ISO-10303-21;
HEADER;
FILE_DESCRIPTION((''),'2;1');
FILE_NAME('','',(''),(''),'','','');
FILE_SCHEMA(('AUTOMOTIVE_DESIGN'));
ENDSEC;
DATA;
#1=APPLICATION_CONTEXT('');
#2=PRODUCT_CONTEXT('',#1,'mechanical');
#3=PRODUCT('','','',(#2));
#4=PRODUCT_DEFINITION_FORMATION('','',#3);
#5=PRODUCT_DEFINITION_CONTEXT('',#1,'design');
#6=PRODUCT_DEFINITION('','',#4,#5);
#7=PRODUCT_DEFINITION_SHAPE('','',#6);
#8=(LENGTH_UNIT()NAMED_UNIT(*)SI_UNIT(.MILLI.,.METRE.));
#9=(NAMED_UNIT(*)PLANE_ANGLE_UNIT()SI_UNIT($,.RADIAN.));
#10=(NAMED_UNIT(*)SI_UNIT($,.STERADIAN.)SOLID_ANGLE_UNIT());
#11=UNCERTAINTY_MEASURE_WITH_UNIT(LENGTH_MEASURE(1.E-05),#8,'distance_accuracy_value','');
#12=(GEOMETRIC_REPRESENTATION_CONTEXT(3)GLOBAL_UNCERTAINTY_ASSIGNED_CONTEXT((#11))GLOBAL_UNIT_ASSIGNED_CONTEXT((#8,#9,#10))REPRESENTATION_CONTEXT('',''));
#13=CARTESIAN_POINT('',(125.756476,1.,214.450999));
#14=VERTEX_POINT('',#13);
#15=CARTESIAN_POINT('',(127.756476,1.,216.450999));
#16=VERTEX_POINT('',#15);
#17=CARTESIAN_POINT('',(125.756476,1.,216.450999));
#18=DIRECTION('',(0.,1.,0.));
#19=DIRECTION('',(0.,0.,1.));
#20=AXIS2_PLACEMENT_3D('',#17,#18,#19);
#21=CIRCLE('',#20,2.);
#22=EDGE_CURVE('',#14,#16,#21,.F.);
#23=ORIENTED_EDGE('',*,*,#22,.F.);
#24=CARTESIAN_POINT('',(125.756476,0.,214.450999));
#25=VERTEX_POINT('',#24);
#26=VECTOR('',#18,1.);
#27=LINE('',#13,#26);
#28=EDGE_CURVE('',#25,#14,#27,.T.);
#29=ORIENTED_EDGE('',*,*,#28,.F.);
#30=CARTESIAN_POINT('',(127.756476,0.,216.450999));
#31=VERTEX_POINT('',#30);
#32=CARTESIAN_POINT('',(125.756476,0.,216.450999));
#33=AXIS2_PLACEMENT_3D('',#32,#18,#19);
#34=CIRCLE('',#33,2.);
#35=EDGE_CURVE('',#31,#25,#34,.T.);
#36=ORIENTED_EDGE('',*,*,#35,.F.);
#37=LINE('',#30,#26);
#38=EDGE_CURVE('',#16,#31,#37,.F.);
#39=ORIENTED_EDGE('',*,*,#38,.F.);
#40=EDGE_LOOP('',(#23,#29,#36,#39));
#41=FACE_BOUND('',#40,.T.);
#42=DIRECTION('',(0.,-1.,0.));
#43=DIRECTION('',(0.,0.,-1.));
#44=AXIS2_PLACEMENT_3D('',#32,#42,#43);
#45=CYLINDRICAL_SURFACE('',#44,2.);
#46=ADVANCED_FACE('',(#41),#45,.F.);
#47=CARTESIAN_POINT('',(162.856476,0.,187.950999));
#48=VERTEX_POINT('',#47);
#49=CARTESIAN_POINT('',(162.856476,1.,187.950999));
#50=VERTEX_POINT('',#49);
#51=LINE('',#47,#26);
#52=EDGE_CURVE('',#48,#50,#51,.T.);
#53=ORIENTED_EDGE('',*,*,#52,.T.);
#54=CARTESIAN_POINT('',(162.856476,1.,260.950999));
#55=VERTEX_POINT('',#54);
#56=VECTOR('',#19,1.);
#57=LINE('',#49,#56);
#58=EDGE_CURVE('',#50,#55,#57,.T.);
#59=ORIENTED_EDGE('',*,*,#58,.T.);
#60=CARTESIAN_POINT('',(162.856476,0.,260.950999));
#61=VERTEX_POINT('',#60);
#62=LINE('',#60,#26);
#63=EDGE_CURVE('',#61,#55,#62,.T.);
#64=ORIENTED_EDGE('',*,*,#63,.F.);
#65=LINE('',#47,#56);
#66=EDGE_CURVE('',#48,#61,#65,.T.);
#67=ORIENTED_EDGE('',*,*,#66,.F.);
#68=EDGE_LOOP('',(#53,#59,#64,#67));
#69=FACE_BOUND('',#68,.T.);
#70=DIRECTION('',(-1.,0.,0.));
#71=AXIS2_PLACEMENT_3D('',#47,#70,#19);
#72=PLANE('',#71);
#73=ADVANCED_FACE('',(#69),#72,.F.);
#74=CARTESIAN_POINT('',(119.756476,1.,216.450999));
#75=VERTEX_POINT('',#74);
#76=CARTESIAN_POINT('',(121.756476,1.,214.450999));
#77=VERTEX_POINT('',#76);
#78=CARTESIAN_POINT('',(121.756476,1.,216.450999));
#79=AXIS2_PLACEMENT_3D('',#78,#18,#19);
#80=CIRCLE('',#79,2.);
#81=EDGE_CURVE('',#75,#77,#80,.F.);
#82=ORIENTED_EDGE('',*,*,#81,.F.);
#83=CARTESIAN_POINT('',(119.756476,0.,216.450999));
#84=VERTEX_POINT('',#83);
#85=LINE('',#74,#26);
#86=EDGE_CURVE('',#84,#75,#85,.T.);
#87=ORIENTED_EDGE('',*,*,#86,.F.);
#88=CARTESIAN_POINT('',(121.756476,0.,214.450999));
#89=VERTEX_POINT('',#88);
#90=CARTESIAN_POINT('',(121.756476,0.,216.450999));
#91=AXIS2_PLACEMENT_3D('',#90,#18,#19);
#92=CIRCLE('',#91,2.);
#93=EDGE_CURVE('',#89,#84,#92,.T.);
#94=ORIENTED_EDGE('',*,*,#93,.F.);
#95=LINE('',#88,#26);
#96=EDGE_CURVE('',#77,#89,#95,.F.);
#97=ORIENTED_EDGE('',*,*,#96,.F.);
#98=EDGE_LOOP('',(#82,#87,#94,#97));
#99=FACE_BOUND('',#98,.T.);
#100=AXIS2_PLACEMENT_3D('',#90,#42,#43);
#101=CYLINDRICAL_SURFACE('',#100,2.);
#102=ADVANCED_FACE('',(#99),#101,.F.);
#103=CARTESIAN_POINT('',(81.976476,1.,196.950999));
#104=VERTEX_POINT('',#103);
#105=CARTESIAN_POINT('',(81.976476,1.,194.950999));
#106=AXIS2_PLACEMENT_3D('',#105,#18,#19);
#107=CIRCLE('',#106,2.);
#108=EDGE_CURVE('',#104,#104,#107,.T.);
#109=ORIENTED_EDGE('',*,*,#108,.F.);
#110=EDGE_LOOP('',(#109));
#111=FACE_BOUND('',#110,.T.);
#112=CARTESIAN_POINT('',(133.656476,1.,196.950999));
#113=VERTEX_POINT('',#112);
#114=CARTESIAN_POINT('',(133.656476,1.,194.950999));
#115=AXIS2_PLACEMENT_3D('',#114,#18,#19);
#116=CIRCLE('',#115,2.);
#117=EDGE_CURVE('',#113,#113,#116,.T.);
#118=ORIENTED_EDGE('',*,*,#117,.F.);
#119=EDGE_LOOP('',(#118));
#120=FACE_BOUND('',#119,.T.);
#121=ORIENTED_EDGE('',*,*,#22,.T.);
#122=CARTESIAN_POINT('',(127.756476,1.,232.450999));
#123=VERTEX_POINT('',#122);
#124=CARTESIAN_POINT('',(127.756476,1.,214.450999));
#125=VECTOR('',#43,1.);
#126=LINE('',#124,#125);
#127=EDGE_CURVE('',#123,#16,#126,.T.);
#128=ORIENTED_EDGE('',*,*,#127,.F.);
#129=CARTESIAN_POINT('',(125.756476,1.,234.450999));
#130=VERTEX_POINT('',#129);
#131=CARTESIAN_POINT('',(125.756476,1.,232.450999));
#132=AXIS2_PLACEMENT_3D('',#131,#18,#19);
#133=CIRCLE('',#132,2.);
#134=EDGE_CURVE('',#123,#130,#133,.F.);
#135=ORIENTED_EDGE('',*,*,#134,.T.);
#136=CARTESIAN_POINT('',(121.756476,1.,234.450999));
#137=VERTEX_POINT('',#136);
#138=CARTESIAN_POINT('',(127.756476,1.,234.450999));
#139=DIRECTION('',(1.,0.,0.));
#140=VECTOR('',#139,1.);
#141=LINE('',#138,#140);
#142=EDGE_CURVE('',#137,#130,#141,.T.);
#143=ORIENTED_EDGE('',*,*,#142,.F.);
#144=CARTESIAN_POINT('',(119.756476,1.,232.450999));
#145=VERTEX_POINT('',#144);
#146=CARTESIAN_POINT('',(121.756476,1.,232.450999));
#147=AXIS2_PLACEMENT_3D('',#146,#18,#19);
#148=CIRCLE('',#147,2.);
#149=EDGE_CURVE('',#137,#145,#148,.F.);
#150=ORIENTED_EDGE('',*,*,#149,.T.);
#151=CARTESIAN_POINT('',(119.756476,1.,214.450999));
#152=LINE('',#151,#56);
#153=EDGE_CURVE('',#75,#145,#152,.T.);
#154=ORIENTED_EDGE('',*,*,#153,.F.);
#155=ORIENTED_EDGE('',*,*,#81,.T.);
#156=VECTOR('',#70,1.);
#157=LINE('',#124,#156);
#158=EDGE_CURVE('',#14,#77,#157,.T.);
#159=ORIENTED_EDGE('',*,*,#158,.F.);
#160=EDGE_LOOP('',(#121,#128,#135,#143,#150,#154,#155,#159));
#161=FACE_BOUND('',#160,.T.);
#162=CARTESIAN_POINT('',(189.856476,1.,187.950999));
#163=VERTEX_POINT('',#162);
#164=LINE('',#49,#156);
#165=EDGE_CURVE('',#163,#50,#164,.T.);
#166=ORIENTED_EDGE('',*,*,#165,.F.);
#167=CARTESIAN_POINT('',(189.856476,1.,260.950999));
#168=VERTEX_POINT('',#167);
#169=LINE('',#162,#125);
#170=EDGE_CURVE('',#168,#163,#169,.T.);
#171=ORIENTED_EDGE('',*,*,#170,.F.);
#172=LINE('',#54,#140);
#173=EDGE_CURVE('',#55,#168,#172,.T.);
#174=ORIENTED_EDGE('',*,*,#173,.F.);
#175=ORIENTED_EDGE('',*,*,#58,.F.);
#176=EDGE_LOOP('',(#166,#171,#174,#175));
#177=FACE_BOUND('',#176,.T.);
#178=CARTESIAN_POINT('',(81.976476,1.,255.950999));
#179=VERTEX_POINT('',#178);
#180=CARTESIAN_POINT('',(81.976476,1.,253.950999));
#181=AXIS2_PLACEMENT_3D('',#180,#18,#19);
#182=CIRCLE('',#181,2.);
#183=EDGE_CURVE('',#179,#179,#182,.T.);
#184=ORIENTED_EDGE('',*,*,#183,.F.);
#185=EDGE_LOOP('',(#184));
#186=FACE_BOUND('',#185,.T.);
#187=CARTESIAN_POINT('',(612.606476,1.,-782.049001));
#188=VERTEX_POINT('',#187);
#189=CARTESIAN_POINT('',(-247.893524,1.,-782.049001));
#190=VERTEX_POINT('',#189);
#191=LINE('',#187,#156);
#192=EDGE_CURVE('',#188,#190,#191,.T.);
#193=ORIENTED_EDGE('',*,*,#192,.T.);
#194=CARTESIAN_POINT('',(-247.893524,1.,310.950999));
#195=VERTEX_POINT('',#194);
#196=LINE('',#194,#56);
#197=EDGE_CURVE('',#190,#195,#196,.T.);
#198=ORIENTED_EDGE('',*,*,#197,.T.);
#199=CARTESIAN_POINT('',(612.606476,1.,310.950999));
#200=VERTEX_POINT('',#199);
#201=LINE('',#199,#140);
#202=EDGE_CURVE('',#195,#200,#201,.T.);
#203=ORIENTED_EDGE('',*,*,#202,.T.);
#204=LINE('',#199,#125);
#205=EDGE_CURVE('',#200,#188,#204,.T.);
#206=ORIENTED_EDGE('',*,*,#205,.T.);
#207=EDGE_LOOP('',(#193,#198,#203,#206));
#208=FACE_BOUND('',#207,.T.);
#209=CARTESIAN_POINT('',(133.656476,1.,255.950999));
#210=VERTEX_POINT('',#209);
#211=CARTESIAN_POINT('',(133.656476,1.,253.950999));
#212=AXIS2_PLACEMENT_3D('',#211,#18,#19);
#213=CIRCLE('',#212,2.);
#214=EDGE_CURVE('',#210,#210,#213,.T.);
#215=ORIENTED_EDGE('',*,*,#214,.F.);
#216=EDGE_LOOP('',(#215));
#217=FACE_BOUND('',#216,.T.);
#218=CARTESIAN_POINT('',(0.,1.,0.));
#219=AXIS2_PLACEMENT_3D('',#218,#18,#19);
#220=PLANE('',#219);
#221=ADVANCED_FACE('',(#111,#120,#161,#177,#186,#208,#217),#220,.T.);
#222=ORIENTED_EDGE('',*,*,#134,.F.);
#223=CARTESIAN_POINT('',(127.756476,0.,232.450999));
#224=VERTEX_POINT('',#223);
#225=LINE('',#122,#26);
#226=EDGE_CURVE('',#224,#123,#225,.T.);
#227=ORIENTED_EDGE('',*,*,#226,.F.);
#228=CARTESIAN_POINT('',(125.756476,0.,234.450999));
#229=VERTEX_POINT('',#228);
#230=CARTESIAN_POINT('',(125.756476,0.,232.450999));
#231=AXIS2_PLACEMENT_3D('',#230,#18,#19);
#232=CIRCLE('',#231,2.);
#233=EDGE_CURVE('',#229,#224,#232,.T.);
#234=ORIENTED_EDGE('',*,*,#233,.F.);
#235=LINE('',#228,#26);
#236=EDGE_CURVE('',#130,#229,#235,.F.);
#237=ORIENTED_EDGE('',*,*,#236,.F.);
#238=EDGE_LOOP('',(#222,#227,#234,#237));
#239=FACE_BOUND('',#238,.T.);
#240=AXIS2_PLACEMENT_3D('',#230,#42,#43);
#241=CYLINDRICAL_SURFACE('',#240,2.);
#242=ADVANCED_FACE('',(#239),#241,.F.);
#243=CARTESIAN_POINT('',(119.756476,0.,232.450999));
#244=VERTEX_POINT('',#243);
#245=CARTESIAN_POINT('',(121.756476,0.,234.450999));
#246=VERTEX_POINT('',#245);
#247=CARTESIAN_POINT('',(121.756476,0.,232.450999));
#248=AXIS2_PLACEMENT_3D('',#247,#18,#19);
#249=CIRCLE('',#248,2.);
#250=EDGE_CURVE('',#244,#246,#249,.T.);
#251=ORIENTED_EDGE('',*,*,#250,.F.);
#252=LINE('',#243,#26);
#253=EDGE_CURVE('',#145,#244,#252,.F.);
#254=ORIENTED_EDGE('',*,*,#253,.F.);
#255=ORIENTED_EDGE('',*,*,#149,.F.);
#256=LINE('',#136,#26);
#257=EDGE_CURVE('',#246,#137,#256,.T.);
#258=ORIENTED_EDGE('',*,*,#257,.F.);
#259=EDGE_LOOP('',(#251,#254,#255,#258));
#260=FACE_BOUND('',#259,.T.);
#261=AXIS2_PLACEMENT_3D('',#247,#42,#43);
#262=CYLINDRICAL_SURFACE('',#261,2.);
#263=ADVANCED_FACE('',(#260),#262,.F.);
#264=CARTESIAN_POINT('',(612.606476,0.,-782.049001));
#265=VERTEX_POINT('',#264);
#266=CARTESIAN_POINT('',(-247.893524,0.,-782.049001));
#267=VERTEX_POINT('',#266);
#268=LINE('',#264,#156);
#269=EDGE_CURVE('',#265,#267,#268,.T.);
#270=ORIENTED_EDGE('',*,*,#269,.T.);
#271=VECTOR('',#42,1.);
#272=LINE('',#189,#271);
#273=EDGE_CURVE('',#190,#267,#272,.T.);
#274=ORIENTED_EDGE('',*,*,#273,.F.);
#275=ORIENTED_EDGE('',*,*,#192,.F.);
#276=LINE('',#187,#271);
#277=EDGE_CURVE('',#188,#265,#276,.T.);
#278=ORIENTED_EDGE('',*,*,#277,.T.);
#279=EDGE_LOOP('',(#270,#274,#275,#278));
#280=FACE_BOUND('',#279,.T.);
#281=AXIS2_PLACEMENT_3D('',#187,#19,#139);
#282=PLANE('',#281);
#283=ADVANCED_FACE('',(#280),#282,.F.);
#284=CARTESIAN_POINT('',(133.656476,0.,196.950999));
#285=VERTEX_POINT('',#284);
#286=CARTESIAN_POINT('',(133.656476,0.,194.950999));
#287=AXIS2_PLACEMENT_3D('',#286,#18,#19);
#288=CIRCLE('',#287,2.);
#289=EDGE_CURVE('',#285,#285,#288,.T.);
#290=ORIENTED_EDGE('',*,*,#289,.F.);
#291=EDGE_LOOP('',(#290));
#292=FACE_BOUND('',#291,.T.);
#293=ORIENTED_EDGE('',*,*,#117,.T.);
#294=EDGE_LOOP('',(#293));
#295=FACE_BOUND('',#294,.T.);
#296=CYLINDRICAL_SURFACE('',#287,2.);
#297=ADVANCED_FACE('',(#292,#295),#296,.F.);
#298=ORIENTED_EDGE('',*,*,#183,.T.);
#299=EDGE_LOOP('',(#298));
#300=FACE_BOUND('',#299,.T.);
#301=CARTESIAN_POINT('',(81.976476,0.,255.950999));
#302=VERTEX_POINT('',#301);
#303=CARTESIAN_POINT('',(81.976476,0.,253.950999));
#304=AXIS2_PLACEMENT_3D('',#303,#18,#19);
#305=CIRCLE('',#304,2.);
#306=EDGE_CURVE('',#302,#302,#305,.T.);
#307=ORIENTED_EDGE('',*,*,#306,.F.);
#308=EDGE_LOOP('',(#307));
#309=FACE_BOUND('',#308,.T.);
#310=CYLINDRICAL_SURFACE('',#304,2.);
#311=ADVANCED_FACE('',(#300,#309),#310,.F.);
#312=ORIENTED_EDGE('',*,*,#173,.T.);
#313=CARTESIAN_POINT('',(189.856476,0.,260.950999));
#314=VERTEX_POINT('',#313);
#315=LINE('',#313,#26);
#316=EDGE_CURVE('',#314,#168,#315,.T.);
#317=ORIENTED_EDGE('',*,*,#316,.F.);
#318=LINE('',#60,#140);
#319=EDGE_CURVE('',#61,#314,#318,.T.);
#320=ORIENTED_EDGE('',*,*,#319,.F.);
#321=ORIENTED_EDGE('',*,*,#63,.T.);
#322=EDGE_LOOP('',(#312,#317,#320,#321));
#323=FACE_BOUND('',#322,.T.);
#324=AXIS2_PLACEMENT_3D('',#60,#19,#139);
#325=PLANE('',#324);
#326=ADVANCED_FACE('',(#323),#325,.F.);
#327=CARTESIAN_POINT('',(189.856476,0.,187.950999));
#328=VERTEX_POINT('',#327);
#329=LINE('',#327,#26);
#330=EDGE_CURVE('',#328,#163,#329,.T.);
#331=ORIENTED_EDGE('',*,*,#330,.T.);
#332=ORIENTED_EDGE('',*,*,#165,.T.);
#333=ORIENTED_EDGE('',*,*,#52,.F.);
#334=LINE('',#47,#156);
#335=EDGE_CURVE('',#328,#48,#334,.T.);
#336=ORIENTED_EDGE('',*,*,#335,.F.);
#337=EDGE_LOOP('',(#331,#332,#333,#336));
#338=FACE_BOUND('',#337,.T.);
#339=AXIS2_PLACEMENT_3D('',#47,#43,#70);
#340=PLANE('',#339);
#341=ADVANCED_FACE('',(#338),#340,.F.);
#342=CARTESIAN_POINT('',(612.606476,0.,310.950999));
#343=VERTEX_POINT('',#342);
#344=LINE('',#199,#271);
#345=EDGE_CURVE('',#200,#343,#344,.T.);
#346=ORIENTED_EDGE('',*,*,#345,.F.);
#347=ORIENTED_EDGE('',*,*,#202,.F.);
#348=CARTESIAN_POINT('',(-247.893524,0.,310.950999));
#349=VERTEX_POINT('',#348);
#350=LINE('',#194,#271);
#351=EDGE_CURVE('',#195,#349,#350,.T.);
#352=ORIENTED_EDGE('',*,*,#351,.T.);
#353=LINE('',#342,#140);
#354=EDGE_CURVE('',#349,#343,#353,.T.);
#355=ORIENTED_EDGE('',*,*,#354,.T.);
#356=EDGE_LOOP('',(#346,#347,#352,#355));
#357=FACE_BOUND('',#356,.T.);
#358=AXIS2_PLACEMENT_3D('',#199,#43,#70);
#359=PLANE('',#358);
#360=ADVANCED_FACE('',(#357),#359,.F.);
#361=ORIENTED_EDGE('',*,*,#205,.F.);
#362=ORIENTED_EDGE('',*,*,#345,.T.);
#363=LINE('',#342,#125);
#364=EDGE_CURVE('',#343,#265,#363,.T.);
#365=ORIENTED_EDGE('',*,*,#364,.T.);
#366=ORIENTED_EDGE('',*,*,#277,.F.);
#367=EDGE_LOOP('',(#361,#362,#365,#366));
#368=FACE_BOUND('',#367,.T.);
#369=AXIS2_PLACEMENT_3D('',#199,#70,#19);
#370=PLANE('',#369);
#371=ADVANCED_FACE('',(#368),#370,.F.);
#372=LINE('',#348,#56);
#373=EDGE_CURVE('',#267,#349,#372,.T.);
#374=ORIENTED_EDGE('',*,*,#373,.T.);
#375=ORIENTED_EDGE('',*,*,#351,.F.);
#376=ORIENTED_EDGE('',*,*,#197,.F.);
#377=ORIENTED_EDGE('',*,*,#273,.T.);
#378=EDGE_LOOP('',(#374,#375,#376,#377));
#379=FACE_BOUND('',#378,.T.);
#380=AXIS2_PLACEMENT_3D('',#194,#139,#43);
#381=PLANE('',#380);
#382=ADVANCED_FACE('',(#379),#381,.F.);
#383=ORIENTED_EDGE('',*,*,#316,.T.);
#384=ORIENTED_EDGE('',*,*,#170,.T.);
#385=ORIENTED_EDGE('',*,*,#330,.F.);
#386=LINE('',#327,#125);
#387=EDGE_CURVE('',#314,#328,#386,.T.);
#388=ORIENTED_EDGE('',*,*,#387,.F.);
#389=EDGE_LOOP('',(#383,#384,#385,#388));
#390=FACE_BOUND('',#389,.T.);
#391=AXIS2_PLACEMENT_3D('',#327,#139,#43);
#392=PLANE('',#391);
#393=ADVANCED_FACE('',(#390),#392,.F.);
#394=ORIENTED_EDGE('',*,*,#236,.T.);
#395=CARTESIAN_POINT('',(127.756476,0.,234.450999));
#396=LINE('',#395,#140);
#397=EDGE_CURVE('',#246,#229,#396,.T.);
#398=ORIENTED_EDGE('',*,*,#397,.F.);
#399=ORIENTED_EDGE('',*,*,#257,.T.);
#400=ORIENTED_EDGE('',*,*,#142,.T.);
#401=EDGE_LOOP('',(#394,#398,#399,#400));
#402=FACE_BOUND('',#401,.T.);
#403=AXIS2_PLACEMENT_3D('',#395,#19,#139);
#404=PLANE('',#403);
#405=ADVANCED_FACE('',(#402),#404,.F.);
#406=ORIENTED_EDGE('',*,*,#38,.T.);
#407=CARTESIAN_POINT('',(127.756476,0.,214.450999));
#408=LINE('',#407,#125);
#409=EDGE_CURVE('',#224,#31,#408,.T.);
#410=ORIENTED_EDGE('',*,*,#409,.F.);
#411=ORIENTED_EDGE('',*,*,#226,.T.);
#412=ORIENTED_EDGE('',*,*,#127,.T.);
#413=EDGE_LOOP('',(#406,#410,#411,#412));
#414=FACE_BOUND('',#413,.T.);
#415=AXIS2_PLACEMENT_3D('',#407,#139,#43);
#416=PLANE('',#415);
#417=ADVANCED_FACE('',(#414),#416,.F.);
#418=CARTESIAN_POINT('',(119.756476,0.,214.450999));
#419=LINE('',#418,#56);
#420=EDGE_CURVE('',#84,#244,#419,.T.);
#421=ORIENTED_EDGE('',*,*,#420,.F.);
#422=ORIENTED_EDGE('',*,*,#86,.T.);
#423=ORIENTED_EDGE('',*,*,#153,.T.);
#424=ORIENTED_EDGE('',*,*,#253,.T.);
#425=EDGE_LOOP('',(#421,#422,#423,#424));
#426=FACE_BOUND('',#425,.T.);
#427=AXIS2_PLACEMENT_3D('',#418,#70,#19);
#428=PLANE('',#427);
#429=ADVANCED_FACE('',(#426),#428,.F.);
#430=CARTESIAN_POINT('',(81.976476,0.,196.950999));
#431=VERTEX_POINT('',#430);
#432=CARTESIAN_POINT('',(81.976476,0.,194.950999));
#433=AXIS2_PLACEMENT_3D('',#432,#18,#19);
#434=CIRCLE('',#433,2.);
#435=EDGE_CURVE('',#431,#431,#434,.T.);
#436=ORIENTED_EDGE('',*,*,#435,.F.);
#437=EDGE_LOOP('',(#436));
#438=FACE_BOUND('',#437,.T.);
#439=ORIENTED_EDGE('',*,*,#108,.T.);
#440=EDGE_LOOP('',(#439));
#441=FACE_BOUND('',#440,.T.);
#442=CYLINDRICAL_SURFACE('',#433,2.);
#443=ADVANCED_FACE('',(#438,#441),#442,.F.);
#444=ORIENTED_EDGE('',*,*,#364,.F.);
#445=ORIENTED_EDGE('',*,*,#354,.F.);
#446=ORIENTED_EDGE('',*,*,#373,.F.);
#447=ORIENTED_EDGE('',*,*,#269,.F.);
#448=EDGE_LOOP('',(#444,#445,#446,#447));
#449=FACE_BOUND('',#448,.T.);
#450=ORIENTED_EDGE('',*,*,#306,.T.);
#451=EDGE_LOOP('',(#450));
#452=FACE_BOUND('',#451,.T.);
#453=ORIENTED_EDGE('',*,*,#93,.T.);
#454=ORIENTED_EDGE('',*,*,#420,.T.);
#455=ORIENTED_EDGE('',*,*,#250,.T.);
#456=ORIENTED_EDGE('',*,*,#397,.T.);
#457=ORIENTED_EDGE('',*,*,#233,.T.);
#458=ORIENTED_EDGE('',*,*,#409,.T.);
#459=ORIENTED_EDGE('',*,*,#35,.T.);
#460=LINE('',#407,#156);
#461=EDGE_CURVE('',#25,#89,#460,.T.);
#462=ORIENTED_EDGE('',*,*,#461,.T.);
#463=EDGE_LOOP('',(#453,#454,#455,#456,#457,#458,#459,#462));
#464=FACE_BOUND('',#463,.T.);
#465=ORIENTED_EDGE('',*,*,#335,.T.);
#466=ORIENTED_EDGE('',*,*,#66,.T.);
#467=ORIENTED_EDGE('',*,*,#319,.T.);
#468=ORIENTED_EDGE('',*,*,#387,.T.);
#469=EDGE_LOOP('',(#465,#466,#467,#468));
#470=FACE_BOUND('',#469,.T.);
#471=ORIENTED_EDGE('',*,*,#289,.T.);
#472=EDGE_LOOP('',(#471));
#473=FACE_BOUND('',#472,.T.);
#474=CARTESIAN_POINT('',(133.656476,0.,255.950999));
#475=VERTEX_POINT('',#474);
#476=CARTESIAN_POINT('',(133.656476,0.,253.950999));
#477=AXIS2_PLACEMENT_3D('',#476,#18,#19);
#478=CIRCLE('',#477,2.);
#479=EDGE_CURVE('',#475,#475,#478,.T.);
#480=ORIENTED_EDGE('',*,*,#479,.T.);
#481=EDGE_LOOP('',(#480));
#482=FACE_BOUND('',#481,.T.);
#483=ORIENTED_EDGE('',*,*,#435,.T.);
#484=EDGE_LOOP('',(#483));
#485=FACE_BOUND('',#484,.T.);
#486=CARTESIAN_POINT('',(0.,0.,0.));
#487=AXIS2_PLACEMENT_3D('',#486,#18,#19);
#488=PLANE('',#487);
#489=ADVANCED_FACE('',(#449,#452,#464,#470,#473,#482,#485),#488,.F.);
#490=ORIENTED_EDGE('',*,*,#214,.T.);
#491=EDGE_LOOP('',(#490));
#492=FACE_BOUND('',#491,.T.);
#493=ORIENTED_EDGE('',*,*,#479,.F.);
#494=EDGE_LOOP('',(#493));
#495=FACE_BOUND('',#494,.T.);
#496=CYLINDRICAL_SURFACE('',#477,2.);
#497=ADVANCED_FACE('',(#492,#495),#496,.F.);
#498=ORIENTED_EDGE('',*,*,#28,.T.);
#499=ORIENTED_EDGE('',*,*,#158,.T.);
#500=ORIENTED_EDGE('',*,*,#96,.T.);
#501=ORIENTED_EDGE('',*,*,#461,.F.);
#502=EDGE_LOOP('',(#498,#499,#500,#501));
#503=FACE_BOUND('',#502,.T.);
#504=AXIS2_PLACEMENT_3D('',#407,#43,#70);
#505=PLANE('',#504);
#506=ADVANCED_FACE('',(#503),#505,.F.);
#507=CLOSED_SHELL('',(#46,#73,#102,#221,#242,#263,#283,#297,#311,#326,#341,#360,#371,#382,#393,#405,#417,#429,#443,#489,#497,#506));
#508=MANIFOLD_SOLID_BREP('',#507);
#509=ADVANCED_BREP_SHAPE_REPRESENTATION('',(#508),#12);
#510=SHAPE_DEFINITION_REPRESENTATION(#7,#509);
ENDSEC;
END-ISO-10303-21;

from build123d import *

# Parameters (mm, degrees)
SKETCH1_W           = 860.5
SKETCH1_H           = 1093
BOSS_EXTRUDE1_DEPTH = 1
SKETCH2_W           = 27
SKETCH2_H           = 73
CUT_EXTRUDE1_DEPTH  = 1
SKETCH3_R           = 2
CUT_EXTRUDE2_DEPTH  = 994.422535961
SKETCH4_W           = 8
SKETCH4_H           = 20
CUT_EXTRUDE3_DEPTH  = 1
FILLET1_R           = 2


with BuildPart() as part:
    # Sketch1 → Boss-Extrude1 (new body)
    with BuildSketch(Plane(origin=(0, 0, 0), x_dir=(1, 0, 0), z_dir=(0, 1, 0))):
        with Locations((182.356476286, 235.549001129)):
            Rectangle(SKETCH1_W, SKETCH1_H)
    extrude(amount=BOSS_EXTRUDE1_DEPTH)

    # Sketch2 → Cut-Extrude1 (cut)
    with BuildSketch(Plane(origin=(0, 1, 0), x_dir=(1, 0, 0), z_dir=(0, 1, 0))):
        with Locations((176.356476286, -224.450998871)):
            Rectangle(SKETCH2_W, SKETCH2_H)
    extrude(amount=-CUT_EXTRUDE1_DEPTH, mode=Mode.SUBTRACT)

    # Sketch3 → Cut-Extrude2 (cut, through all)
    with BuildSketch(Plane(origin=(0, 1, 0), x_dir=(1, 0, 0), z_dir=(0, 1, 0))):
        with Locations(Location((133.656476286, -194.950998871, 0), (0, 0, 270))):
            Circle(SKETCH3_R)
        with Locations(Location((133.656476286, -253.950998871, 0), (0, 0, 270))):
            Circle(SKETCH3_R)
        with Locations(Location((81.976476286, -194.950998871, 0), (0, 0, 270))):
            Circle(SKETCH3_R)
        with Locations(Location((81.976476286, -253.950998871, 0), (0, 0, 270))):
            Circle(SKETCH3_R)
    extrude(amount=-CUT_EXTRUDE2_DEPTH, mode=Mode.SUBTRACT)

    # Sketch4 → Cut-Extrude3 (cut)
    with BuildSketch(Plane(origin=(0, 1, 0), x_dir=(1, 0, 0), z_dir=(0, 1, 0))):
        with Locations((123.756476286, -224.450998871)):
            Rectangle(SKETCH4_W, SKETCH4_H)
    extrude(amount=-CUT_EXTRUDE3_DEPTH, mode=Mode.SUBTRACT)

    # Fillet1
    fillet1_edges = [part.edges().sort_by_distance(p)[0] for p in [
        (127.756476286, 0.5, 214.450998871),
        (127.756476286, 0.5, 234.450998871),
        (119.756476286, 0.5, 234.450998871),
        (119.756476286, 0.5, 214.450998871),
    ]]
    fillet(fillet1_edges, radius=FILLET1_R)


solid = part.part
